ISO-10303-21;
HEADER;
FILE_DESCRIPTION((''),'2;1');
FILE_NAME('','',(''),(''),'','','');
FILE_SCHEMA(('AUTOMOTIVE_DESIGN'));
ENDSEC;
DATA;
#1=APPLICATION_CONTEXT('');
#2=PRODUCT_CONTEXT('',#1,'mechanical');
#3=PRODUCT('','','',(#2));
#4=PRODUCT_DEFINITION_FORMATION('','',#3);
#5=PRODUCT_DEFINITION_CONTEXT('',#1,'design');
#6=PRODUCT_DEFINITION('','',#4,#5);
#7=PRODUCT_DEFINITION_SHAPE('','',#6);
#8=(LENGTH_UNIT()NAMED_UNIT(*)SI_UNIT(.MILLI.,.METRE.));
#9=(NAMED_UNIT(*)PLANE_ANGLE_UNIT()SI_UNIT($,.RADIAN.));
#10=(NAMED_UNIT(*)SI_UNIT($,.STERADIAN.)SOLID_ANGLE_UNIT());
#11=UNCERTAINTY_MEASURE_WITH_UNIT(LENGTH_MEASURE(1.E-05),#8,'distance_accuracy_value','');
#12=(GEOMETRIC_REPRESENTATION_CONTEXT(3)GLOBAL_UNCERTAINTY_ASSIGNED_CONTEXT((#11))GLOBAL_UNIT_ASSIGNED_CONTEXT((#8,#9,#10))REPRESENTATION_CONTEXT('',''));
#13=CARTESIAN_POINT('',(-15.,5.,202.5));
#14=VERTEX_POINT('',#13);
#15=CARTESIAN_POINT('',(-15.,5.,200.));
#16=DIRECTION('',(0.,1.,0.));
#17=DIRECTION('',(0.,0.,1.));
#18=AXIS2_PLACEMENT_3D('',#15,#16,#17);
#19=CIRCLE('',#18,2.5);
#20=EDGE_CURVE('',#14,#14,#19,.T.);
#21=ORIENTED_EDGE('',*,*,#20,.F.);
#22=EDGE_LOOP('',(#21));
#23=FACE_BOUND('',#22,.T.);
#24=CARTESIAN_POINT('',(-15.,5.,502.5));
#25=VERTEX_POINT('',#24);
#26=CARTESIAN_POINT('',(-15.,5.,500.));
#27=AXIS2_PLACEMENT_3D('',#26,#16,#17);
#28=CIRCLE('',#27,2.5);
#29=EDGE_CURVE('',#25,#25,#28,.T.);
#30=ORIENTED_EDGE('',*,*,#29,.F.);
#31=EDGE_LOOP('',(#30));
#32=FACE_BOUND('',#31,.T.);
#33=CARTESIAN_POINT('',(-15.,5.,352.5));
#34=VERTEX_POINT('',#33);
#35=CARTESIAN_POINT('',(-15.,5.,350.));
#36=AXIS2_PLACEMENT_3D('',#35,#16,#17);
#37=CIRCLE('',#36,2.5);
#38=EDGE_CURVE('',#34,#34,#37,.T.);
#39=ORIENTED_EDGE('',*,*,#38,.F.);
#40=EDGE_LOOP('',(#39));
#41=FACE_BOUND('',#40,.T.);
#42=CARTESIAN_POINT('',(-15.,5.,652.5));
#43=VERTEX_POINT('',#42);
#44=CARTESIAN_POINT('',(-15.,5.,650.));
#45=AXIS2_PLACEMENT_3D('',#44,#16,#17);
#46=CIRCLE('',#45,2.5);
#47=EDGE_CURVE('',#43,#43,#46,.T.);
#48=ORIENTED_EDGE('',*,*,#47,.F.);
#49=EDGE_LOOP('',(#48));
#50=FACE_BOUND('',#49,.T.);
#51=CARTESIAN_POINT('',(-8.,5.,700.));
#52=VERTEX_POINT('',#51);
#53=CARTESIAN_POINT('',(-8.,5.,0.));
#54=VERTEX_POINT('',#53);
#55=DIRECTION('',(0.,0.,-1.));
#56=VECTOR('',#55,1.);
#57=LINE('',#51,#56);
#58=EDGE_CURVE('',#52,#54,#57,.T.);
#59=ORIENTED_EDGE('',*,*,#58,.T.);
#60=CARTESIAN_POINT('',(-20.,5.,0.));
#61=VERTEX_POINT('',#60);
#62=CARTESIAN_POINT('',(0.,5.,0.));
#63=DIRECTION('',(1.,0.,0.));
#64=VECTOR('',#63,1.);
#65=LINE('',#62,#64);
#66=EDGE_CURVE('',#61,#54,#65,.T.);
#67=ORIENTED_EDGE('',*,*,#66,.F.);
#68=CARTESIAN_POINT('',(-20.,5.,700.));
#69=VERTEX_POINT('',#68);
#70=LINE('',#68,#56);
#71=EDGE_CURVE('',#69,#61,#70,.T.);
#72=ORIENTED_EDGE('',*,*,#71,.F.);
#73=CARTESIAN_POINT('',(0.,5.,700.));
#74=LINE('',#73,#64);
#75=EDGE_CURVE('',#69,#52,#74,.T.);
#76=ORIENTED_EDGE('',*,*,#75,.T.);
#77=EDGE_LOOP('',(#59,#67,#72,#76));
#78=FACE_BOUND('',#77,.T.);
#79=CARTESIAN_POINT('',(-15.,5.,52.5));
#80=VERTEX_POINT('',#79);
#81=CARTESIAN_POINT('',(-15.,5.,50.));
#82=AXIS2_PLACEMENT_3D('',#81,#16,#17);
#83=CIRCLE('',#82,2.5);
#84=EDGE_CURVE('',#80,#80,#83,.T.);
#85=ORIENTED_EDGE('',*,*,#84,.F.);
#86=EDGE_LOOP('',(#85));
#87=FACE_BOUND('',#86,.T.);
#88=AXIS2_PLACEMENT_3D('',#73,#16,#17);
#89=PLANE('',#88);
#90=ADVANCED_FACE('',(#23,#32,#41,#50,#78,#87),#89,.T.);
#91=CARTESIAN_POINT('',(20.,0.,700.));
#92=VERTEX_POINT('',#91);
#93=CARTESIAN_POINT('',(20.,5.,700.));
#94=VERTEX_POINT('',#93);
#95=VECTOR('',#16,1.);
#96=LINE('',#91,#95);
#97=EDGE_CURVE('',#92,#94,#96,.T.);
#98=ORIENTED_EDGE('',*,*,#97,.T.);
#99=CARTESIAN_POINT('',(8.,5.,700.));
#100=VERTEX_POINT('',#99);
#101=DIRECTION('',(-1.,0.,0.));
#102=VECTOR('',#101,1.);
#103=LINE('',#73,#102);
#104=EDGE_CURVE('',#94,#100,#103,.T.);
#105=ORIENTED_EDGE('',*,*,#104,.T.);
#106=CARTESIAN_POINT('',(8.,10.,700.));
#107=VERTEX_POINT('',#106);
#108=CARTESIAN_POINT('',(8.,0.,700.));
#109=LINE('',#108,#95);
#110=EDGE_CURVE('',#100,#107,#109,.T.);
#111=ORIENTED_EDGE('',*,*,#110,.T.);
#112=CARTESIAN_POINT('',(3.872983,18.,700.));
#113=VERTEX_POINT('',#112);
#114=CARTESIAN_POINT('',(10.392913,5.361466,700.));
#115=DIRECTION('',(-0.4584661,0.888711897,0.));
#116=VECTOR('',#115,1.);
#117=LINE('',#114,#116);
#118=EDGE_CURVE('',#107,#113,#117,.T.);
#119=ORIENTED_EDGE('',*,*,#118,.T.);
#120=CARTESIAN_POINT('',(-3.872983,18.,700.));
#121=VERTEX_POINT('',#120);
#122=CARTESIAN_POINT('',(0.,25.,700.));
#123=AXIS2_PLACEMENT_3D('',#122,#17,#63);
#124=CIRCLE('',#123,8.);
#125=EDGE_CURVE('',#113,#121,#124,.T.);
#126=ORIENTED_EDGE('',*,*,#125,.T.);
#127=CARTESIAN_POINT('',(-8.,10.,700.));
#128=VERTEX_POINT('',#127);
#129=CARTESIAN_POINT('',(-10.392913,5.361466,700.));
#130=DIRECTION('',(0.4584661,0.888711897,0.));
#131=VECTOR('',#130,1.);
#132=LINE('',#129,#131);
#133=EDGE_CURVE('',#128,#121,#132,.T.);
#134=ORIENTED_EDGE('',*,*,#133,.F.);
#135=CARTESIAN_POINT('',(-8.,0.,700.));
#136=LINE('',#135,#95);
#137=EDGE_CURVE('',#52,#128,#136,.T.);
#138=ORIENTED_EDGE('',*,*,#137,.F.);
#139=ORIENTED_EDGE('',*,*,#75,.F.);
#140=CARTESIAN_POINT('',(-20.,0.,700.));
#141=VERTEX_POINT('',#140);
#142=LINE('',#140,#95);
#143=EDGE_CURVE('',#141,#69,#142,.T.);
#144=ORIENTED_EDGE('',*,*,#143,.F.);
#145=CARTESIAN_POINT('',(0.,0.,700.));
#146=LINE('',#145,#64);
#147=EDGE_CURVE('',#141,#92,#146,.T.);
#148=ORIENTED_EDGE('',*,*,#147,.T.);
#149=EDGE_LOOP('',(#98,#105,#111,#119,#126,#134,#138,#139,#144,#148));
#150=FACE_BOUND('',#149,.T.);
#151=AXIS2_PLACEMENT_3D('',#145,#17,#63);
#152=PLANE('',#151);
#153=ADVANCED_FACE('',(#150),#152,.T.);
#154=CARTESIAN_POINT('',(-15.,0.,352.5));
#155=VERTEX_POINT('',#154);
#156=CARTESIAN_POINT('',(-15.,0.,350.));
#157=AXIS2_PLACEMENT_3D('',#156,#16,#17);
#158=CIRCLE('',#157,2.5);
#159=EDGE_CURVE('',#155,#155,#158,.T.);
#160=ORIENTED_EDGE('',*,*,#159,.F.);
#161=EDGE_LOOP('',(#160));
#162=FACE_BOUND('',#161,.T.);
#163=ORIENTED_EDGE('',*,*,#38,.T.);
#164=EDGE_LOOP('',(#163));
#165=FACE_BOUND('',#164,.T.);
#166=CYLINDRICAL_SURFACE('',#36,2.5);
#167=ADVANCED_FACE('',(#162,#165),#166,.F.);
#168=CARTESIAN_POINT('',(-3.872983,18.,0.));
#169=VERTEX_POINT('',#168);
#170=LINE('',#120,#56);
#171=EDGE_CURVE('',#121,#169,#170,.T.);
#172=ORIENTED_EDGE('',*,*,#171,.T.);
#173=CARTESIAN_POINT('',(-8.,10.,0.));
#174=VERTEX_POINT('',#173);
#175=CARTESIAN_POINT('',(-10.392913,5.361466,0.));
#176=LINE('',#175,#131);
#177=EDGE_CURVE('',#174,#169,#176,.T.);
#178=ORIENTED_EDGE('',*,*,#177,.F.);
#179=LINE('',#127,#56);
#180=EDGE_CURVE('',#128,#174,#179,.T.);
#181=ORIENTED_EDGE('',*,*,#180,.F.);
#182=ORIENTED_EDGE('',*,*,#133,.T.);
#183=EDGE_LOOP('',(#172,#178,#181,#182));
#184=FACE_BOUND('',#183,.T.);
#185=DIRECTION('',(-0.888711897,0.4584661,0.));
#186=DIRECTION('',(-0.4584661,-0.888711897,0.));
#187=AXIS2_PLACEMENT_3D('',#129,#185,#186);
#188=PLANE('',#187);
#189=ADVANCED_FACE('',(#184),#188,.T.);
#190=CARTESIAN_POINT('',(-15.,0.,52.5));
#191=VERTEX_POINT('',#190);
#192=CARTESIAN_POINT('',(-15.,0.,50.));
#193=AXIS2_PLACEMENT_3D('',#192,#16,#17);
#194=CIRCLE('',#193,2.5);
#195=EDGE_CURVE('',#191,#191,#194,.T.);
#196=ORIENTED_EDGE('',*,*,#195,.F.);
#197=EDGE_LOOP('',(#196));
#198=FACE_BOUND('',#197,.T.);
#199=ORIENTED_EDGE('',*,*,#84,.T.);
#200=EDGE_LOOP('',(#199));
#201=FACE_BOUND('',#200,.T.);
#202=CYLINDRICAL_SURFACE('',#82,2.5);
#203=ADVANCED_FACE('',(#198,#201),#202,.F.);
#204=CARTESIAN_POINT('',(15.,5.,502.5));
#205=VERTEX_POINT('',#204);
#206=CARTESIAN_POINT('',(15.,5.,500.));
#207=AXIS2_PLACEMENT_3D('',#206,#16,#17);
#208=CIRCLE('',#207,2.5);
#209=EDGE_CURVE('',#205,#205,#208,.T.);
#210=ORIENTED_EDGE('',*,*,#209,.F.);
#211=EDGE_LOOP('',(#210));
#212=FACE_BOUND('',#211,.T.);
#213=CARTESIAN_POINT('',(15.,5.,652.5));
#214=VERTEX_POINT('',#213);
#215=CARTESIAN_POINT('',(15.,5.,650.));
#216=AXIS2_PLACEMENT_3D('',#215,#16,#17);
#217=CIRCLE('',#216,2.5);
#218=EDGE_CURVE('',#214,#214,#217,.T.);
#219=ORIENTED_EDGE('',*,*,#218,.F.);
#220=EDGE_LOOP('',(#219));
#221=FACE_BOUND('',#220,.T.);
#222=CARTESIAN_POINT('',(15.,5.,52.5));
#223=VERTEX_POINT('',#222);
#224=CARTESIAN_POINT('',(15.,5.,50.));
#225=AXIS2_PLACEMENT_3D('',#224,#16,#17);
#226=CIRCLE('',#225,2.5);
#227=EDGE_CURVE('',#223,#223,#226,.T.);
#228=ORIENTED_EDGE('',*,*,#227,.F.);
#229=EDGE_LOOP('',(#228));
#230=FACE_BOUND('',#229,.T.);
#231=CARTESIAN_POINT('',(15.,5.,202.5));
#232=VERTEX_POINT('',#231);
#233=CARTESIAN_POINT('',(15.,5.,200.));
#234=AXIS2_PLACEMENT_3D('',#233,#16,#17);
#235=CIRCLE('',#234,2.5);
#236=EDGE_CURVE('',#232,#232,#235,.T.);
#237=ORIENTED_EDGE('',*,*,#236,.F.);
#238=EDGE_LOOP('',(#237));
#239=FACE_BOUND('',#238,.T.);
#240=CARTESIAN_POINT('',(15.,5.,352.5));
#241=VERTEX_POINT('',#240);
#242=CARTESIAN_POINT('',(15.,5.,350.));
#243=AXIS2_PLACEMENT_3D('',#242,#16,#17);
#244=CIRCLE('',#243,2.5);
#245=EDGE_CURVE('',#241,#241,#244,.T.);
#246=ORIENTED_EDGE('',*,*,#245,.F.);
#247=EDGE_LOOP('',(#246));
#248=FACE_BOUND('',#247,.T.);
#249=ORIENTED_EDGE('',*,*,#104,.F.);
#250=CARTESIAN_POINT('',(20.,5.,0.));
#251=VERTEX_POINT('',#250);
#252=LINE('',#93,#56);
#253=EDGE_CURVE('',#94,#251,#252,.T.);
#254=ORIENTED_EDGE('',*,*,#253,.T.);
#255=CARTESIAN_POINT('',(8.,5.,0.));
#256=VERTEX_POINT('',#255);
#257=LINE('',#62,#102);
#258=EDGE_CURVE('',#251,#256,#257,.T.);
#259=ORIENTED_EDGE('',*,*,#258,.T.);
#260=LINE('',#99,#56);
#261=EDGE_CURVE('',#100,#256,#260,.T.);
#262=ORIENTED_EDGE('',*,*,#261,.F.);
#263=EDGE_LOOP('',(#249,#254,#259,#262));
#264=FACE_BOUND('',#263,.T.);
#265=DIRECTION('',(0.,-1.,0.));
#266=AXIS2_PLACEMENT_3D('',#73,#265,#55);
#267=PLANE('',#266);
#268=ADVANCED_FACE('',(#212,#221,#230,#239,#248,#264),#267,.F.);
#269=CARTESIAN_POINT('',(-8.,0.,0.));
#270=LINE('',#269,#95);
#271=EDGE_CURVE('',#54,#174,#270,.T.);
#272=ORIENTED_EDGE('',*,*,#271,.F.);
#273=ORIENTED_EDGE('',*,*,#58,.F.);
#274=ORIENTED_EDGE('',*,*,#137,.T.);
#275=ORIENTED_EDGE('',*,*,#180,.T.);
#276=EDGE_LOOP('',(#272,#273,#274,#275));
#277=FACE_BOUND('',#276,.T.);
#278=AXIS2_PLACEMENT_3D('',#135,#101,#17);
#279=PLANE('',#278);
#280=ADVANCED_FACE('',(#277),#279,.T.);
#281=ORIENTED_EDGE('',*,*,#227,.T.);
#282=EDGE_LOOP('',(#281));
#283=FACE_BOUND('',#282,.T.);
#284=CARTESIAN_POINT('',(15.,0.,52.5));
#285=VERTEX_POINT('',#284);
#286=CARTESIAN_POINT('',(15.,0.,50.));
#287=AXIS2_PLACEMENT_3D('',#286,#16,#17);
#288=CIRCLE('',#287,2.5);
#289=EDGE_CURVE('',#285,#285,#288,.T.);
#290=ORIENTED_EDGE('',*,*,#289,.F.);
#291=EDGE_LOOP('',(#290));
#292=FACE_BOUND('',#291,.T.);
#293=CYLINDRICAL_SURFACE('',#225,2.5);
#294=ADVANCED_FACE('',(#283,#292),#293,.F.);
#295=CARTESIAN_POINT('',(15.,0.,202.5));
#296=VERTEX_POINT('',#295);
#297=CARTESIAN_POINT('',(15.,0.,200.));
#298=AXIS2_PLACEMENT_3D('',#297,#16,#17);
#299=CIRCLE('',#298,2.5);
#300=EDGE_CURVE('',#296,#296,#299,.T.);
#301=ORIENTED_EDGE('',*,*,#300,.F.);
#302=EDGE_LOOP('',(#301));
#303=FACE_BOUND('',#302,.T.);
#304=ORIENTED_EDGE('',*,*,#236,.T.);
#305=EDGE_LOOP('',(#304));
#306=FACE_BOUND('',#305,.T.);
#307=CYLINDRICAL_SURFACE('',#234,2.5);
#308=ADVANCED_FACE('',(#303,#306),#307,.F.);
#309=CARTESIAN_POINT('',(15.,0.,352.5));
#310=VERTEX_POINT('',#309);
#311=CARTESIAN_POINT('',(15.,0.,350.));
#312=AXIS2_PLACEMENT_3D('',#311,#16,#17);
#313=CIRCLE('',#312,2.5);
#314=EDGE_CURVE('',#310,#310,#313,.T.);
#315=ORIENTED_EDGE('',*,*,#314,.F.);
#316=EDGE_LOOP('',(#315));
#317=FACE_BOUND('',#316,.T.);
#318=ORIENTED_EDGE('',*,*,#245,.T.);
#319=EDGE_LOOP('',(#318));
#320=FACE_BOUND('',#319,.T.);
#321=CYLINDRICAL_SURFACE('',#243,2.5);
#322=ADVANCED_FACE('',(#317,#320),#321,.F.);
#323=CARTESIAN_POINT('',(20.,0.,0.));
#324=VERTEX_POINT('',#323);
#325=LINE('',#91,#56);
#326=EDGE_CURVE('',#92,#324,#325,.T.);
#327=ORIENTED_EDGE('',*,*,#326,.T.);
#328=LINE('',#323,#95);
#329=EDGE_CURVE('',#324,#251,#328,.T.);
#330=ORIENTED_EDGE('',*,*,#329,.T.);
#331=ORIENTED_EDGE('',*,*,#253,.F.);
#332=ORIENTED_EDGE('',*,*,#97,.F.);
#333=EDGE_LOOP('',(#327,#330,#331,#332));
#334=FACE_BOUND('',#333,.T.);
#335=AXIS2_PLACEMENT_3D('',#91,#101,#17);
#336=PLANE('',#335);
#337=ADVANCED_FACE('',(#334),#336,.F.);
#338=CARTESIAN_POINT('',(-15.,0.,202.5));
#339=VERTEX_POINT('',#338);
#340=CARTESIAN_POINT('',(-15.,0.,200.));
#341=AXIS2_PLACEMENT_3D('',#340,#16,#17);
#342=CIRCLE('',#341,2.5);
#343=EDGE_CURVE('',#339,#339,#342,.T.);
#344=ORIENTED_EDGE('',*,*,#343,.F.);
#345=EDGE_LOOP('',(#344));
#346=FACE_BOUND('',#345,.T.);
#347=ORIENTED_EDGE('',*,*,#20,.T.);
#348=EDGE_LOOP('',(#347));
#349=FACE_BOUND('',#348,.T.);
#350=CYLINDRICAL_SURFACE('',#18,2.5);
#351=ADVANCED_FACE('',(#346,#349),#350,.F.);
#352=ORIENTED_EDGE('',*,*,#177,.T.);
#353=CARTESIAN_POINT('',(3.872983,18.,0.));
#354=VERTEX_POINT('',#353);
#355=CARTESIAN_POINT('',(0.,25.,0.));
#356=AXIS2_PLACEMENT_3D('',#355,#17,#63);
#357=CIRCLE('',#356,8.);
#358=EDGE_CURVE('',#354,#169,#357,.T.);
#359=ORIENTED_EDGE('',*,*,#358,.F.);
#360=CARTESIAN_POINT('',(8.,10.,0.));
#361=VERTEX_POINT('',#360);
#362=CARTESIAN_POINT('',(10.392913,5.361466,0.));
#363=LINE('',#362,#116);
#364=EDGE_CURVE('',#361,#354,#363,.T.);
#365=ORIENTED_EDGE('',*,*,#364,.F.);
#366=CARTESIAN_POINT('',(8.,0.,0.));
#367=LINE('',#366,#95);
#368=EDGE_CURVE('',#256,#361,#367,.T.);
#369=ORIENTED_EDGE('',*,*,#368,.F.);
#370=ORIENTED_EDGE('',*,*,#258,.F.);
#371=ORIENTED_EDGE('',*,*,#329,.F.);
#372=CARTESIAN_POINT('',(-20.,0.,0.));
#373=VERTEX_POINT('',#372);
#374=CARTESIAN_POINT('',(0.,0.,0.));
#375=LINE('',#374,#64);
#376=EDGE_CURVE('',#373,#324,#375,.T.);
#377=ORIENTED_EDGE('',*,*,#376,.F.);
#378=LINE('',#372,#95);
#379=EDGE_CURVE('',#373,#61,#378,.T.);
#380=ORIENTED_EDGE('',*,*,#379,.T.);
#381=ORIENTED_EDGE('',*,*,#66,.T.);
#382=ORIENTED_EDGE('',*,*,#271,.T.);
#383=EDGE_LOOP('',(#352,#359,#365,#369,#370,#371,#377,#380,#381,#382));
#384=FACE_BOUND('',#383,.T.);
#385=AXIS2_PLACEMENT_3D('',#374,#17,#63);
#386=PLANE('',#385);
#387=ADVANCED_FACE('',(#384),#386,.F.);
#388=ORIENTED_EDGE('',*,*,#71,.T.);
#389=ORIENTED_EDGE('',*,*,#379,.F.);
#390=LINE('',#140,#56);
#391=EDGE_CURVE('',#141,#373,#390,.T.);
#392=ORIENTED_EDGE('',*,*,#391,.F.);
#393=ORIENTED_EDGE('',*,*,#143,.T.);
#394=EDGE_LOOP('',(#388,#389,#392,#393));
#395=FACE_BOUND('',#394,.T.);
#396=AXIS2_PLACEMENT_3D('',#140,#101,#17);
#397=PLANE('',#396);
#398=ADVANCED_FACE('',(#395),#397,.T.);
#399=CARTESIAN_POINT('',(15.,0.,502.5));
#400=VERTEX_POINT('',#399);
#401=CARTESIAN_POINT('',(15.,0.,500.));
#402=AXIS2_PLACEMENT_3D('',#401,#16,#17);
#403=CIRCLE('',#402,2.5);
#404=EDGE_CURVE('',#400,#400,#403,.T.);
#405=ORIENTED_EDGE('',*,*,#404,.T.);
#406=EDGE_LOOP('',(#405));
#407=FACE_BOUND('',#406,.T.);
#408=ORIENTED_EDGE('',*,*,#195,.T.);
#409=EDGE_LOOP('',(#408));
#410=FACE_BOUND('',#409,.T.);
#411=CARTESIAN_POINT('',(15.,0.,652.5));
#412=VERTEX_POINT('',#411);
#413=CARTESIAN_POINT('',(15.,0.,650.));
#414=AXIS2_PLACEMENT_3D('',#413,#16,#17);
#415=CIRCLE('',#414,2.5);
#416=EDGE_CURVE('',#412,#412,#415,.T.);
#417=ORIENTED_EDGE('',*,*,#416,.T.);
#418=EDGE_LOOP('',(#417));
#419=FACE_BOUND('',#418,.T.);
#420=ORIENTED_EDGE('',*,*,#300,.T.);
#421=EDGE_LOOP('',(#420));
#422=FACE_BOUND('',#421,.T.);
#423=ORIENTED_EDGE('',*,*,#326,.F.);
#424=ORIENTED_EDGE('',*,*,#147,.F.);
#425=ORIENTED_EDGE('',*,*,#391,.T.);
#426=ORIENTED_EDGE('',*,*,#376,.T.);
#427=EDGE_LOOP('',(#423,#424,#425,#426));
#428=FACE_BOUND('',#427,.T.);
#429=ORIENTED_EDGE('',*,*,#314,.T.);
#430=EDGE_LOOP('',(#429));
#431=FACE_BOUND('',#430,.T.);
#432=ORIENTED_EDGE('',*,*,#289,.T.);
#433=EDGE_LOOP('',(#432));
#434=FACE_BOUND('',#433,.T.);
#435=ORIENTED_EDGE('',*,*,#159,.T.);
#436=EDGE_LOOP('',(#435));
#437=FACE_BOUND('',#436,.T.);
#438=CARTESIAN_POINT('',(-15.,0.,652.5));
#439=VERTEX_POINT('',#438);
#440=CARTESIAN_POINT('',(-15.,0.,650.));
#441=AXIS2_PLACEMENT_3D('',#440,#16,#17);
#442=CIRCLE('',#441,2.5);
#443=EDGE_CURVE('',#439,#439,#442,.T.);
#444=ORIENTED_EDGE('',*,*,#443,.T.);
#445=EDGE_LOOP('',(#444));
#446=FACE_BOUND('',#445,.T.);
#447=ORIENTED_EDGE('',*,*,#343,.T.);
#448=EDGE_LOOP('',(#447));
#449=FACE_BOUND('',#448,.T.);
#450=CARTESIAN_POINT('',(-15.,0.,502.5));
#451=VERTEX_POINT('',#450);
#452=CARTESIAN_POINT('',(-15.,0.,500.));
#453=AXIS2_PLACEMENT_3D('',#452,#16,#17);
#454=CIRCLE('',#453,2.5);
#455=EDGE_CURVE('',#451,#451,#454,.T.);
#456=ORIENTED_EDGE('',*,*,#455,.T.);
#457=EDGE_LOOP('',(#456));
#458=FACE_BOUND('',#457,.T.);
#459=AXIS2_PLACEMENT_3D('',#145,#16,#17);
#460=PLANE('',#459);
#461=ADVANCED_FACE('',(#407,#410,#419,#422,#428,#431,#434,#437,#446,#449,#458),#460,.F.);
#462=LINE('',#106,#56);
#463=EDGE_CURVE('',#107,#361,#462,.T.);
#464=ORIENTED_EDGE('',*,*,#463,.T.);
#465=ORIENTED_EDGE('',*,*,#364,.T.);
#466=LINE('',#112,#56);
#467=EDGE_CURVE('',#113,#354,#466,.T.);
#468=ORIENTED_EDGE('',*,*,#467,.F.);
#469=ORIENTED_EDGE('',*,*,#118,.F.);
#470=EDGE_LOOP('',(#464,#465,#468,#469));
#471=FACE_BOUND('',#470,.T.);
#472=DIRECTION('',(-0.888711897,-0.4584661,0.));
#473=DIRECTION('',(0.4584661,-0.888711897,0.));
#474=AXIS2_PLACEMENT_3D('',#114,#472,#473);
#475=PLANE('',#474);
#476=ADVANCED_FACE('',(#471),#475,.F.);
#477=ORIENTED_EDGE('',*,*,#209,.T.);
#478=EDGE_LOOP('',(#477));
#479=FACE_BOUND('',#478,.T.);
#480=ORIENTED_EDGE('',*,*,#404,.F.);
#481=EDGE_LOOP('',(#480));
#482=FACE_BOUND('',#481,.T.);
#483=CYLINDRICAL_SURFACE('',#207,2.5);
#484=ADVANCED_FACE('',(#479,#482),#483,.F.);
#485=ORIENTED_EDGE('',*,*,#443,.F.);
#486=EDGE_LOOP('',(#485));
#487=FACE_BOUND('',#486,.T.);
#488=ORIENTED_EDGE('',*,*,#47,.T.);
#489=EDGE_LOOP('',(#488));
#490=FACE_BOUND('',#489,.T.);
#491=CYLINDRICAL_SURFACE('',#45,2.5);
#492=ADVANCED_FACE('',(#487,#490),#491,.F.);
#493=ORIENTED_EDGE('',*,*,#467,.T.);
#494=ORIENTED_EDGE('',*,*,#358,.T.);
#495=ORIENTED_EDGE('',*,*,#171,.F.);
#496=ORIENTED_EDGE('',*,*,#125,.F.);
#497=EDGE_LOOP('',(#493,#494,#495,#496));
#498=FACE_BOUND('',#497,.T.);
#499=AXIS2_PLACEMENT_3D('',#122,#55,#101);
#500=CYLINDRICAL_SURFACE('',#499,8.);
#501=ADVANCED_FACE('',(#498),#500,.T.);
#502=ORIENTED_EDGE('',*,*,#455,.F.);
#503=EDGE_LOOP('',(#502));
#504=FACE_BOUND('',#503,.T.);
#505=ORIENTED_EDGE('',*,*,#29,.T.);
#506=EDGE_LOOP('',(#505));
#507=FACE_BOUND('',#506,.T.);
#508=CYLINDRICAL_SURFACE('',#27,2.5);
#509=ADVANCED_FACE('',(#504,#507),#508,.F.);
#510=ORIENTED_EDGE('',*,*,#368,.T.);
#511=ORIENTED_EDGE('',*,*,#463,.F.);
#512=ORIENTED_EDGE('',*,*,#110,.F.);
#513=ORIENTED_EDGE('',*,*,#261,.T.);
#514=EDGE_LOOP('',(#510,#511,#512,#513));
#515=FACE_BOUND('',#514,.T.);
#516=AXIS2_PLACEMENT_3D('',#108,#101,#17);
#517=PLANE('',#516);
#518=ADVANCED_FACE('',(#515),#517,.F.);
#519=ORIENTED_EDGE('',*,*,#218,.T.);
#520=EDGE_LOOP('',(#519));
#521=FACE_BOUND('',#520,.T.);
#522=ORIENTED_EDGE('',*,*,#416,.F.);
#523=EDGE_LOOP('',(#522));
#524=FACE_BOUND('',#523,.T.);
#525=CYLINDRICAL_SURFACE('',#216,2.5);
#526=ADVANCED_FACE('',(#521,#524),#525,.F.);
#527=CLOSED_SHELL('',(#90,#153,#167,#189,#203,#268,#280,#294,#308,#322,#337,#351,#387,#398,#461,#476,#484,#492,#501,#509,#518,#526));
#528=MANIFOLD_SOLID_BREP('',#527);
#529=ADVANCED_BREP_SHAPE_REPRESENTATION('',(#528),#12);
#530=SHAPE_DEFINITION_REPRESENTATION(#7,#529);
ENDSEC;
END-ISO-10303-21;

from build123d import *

# Parameters (mm, degrees)
BOSS_EXTRUDE3_DEPTH   = 700
BOSS_EXTRUDE4_DEPTH   = 700
F_5_0MM_DOWEL_HOLE1_D = 5
LPATTERN1_COUNT       = 5
LPATTERN1_PITCH       = 150


with BuildPart() as part:
    # Sketch2 → Boss-Extrude3 (new body)
    with BuildSketch(Plane.XY):
        with BuildLine():
            Line((-20, 5), (-20, 0))
            Line((-20, 0), (20, 0))
            Line((20, 0), (20, 5))
            Line((20, 5), (8, 5))
            Line((8, 5), (8, 10))
            Line((8, 10), (3.872983346, 18))
            ThreePointArc((3.872983346, 18), (0, 17), (-3.872983346, 18))
            Line((-3.872983346, 18), (-8, 10))
            Line((-8, 10), (-8, 5))
            Line((-8, 5), (-20, 5))
        make_face()
    extrude(amount=BOSS_EXTRUDE3_DEPTH)

    # Sketch2<4> → Boss-Extrude4 (add)
    with BuildSketch(Plane.XY):
        with BuildLine():
            ThreePointArc((8, 25), (-4.063012013, 31.891439137), (-3.872983346, 18))
            ThreePointArc((-3.872983346, 18), (0, 17), (3.872983346, 18))
            ThreePointArc((3.872983346, 18), (6.891439137, 20.936987987), (8, 25))
        make_face()
    extrude(amount=BOSS_EXTRUDE4_DEPTH)

    # Ø5.0mm Dowel Hole1 (through all)
    with Locations(Plane(origin=(0, 5, 0), x_dir=(1, 0, 0), z_dir=(0, 1, 0))):
        with Locations((15, -650), (-15, -650)):
            f_5_0mm_dowel_hole1 = Hole(F_5_0MM_DOWEL_HOLE1_D / 2)

    # LPattern1: Ø5.0mm Dowel Hole1 ×5
    with Locations(*[(0, 0, -i * LPATTERN1_PITCH) for i in range(1, LPATTERN1_COUNT)]):
        add(f_5_0mm_dowel_hole1, mode=Mode.SUBTRACT)


solid = part.part
